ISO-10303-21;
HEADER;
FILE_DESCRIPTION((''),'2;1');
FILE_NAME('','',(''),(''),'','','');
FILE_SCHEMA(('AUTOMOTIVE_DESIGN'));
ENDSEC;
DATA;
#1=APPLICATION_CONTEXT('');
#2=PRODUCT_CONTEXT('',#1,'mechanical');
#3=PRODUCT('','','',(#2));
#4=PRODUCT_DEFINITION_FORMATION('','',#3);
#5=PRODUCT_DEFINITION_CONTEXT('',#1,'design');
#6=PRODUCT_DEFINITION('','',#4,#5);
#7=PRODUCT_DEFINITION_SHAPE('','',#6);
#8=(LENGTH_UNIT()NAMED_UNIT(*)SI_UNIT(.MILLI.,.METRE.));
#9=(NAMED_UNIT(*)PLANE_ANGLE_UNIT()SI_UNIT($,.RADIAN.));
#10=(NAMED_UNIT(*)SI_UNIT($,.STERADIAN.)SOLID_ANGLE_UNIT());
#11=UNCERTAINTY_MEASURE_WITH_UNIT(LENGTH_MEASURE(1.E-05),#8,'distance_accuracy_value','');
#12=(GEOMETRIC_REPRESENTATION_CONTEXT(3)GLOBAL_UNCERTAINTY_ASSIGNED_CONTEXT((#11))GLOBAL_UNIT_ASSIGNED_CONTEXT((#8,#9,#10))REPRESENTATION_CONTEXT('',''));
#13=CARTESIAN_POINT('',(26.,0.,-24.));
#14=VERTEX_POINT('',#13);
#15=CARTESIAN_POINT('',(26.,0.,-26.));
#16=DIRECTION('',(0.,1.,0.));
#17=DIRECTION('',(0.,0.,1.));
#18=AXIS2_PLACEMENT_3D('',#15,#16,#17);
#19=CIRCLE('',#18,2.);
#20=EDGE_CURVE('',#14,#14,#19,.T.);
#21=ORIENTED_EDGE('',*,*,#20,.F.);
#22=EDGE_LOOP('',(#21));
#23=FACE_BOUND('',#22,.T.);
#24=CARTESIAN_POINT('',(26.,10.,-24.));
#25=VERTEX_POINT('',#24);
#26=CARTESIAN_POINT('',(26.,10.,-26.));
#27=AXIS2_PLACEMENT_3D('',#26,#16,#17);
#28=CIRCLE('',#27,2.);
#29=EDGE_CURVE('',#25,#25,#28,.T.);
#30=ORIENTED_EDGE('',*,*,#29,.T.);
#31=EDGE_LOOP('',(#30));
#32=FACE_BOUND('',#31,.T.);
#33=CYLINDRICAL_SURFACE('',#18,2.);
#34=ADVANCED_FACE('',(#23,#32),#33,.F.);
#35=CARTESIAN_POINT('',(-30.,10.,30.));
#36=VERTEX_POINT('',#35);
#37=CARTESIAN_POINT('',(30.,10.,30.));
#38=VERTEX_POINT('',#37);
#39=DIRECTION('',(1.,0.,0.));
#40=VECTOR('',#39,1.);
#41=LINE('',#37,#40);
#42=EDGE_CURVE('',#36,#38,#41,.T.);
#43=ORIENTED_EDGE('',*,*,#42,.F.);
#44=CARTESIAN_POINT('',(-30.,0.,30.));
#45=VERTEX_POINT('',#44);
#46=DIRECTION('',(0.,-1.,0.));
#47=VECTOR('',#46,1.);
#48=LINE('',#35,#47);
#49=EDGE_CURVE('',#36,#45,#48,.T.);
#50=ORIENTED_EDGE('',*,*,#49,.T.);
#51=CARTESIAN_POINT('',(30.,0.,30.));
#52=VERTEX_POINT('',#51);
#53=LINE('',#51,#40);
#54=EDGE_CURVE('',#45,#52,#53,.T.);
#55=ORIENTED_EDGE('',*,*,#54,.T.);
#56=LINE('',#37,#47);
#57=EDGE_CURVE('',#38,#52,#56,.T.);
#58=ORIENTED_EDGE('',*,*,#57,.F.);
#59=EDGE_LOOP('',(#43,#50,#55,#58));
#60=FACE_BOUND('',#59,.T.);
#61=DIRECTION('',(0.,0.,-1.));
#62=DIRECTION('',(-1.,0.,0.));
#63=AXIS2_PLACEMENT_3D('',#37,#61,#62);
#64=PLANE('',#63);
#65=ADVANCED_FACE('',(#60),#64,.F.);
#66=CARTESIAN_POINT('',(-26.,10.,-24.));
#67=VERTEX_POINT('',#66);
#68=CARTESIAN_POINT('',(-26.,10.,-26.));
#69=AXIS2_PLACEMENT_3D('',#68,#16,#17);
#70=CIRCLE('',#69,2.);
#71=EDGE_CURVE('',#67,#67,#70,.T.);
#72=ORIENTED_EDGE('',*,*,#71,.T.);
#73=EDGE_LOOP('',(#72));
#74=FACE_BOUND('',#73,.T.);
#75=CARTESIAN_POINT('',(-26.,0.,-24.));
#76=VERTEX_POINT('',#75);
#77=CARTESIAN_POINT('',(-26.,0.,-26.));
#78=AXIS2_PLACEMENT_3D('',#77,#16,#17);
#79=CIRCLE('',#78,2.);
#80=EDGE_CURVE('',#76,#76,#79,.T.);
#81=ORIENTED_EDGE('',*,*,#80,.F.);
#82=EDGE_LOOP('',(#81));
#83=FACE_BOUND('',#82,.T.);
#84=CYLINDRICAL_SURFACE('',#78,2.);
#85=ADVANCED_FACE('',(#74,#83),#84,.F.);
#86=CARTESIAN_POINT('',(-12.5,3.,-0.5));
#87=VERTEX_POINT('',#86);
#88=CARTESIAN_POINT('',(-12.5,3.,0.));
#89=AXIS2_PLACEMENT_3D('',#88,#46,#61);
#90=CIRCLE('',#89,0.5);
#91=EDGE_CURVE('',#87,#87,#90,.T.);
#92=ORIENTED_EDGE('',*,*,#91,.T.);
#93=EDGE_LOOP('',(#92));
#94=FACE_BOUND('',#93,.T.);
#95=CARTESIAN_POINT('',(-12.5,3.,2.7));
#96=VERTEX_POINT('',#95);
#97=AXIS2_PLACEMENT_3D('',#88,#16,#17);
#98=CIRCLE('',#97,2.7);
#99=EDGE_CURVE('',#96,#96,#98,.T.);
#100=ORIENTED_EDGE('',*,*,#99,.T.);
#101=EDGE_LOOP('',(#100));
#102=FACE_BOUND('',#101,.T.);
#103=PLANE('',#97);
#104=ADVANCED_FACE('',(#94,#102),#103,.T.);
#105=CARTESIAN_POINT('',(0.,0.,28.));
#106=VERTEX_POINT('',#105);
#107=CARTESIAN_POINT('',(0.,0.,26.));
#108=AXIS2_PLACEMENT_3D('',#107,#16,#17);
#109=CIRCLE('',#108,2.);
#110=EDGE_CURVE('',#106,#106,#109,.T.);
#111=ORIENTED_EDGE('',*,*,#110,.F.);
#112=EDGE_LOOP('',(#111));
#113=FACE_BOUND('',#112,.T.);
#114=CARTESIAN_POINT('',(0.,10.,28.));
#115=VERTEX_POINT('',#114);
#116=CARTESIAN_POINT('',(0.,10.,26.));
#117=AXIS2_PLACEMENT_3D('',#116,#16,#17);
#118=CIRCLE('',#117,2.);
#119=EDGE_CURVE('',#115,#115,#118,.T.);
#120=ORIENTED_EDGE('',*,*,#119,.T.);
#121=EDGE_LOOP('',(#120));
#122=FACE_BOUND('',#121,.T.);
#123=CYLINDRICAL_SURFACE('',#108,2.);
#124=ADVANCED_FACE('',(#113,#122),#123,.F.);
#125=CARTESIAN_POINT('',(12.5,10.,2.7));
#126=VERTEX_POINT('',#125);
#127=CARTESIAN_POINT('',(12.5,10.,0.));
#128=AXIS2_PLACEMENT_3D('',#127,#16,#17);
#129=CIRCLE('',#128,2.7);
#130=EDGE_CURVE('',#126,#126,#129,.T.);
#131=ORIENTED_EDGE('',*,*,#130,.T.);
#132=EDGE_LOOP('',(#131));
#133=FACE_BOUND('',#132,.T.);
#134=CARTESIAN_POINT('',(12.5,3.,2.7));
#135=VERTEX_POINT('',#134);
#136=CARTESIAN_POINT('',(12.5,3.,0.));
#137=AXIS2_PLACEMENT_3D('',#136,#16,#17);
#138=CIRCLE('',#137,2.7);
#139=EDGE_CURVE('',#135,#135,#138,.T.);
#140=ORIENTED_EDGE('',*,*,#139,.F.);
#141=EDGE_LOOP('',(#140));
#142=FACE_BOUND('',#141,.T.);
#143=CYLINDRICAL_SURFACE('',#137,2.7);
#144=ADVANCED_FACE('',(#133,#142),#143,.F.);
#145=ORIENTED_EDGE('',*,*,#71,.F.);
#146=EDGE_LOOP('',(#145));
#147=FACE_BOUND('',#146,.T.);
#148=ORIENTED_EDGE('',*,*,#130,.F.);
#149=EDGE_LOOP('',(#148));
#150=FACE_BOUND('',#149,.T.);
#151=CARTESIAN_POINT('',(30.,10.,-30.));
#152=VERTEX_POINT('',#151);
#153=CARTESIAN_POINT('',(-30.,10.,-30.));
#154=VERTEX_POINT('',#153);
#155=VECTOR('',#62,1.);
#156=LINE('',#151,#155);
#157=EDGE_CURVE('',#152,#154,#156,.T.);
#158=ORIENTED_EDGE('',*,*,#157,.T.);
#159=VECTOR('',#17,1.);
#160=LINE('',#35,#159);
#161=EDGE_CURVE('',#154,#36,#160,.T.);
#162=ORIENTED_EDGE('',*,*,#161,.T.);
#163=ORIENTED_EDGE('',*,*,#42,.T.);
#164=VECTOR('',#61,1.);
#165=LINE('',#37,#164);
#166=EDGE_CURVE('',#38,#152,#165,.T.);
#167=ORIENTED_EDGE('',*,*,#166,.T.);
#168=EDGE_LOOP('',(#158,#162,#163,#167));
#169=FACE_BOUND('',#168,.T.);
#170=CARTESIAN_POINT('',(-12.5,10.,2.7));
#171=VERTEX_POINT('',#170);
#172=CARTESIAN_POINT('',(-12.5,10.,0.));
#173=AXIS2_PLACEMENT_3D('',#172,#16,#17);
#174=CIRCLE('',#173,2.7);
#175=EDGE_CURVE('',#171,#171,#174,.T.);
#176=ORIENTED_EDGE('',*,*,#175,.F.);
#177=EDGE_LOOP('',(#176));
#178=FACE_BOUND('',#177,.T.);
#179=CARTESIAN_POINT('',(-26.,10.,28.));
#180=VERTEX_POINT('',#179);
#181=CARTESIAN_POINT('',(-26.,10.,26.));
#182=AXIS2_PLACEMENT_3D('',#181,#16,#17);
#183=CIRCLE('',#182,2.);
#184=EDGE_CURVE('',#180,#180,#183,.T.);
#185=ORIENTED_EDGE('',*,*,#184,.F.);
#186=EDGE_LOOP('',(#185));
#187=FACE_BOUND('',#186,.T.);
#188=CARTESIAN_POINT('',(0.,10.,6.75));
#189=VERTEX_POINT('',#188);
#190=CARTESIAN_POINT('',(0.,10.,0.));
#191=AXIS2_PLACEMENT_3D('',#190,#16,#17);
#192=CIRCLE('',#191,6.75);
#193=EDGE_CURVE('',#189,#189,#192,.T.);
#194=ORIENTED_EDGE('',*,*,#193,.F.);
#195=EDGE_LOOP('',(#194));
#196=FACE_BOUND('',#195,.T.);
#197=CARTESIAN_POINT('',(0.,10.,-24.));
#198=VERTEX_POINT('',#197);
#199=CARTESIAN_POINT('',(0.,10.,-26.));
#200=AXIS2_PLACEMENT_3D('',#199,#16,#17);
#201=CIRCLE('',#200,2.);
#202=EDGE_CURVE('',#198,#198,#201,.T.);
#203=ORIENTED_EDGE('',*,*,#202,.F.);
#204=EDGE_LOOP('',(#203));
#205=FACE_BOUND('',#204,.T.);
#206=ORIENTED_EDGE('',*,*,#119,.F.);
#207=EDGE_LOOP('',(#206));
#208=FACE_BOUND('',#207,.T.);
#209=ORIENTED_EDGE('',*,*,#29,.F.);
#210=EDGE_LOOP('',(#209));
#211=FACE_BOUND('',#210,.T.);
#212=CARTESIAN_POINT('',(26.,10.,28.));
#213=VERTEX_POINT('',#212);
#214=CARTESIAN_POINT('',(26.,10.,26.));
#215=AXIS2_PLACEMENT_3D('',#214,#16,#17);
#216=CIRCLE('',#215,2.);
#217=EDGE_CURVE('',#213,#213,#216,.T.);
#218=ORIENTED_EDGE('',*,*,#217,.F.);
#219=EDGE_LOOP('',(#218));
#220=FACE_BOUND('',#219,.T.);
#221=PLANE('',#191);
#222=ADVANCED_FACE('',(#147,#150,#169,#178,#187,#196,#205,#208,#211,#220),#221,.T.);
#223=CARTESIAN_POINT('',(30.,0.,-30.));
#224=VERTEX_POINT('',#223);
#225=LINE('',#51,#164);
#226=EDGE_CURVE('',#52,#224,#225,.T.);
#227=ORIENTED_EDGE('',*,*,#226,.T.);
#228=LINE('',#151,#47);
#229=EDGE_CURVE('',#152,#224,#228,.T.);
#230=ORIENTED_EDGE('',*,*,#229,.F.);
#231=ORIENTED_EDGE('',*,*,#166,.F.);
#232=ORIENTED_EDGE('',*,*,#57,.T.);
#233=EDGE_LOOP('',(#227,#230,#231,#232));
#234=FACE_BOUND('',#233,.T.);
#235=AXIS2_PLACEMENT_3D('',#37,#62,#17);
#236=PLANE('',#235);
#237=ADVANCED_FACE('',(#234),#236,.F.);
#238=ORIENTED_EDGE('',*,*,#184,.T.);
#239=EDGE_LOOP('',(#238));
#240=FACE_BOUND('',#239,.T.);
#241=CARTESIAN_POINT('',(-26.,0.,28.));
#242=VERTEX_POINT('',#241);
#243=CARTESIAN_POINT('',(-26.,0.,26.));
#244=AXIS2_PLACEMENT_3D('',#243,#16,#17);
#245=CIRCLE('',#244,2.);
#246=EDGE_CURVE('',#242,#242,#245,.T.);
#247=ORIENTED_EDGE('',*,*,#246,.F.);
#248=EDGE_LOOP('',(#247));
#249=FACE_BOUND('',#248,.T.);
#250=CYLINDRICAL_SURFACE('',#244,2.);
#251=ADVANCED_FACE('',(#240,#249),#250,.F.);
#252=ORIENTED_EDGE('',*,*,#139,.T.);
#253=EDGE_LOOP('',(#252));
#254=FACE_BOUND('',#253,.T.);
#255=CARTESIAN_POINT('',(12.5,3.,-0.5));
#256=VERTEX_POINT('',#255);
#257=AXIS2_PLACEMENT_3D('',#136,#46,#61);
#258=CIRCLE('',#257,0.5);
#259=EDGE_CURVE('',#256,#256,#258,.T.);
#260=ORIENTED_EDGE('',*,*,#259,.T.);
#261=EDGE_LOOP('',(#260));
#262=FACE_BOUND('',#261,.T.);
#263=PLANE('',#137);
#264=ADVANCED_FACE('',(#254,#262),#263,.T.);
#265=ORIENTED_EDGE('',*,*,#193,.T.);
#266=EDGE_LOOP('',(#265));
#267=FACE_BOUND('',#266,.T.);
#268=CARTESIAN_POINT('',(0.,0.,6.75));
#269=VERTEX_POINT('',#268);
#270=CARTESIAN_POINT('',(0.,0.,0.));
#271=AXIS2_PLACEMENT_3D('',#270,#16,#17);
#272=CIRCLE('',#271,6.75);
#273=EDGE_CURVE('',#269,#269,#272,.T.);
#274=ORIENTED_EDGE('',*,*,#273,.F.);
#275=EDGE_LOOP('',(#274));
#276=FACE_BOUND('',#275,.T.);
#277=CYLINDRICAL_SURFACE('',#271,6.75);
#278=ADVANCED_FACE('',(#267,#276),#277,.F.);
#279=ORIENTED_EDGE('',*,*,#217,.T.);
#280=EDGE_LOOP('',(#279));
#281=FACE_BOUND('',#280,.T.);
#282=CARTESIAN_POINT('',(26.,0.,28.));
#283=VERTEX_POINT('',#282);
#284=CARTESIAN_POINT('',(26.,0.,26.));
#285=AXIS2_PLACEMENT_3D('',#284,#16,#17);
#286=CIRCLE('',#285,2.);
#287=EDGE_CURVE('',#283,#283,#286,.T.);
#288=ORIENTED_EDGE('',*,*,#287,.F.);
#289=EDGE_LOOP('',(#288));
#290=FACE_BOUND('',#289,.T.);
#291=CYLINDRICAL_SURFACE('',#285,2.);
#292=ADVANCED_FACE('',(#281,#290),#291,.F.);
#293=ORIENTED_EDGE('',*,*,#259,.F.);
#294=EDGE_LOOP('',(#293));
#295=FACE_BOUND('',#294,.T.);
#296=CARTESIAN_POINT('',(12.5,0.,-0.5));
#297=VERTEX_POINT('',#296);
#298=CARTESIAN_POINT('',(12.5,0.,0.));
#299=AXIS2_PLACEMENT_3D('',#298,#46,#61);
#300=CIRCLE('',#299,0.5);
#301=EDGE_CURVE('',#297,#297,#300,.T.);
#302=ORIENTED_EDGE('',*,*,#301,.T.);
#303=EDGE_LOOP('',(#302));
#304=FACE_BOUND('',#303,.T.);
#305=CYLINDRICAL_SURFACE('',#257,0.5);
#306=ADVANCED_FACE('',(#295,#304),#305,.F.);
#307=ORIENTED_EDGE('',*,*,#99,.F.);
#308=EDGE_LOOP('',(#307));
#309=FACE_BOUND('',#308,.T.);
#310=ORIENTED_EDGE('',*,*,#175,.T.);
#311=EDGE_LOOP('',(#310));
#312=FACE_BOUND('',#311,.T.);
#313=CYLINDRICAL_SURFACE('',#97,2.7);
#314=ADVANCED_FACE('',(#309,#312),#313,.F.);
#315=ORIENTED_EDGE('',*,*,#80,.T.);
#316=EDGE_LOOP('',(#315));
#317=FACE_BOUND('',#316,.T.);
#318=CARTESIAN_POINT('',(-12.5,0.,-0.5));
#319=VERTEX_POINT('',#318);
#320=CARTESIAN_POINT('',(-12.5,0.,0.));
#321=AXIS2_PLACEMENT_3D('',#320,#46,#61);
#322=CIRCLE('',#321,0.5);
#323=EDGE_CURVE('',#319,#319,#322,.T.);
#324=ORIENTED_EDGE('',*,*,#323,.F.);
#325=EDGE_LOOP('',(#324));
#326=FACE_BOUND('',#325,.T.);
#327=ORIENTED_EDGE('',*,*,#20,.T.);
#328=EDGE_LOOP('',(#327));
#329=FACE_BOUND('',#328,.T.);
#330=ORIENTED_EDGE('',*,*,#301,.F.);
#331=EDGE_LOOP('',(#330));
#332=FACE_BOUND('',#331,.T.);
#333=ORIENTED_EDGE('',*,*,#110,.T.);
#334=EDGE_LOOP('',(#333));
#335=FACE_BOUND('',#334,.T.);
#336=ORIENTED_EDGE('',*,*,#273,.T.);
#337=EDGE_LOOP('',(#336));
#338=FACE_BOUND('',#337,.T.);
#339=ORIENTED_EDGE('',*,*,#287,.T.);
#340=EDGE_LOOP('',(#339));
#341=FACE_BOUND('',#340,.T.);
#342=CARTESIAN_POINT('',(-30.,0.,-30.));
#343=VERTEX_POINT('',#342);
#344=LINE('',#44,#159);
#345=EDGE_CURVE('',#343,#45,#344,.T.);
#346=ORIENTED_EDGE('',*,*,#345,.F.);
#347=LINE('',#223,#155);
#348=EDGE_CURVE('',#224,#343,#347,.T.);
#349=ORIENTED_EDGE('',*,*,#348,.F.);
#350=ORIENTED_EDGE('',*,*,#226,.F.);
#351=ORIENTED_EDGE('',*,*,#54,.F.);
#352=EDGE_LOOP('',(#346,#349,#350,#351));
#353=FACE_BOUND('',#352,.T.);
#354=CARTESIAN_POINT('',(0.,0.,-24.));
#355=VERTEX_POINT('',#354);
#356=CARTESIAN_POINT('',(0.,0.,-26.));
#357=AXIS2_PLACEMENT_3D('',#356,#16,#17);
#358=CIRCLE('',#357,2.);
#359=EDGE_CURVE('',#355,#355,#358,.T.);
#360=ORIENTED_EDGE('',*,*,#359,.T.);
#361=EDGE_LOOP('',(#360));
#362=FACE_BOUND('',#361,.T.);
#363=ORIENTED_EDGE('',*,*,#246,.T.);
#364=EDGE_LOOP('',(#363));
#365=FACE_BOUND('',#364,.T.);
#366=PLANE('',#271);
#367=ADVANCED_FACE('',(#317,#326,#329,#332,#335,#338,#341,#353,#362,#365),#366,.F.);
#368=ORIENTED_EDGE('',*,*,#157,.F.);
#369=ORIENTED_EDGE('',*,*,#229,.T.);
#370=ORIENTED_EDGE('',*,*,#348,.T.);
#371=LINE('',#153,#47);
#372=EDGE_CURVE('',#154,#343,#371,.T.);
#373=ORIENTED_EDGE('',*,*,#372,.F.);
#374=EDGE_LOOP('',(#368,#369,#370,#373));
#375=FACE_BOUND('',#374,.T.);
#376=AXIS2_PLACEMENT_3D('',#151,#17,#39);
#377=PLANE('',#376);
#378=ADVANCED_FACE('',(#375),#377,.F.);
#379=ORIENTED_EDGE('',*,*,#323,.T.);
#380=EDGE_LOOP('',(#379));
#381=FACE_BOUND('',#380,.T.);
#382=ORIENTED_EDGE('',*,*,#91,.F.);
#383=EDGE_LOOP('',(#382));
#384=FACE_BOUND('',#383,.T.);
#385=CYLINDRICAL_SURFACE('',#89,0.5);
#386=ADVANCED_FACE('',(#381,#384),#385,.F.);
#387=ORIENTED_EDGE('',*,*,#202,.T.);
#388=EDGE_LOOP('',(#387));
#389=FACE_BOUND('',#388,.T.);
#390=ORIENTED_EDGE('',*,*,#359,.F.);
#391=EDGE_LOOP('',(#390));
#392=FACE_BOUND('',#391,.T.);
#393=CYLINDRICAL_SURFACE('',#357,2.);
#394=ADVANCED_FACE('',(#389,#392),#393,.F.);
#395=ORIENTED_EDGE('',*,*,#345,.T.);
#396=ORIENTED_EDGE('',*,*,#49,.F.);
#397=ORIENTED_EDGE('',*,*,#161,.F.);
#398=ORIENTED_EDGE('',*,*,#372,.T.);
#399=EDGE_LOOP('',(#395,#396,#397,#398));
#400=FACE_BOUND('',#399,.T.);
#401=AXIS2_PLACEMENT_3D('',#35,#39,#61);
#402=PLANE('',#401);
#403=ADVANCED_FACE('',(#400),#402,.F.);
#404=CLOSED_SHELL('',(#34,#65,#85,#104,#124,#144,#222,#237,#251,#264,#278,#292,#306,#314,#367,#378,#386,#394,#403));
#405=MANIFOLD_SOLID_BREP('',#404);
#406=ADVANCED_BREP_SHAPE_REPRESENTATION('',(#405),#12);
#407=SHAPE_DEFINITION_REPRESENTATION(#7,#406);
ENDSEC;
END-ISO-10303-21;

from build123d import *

# Parameters (mm, degrees)
SKETCH2_W           = 60
SKETCH2_H           = 60
BOSS_EXTRUDE1_DEPTH = 10
SKETCH3_R           = 2
CUT_EXTRUDE1_DEPTH  = 10
SKETCH5_R           = 2.7
CUT_EXTRUDE3_DEPTH  = 7
SKETCH6_R           = 0.5
CUT_EXTRUDE4_DEPTH  = 3
SKETCH7_R           = 6.75
CUT_EXTRUDE5_DEPTH  = 10


with BuildPart() as part:
    # Sketch2 → Boss-Extrude1 (new body)
    with BuildSketch(Plane(origin=(0, 0, 0), x_dir=(1, 0, 0), z_dir=(0, 1, 0))):
        Rectangle(SKETCH2_W, SKETCH2_H)
    extrude(amount=BOSS_EXTRUDE1_DEPTH)

    # Sketch3 → Cut-Extrude1 (cut)
    with BuildSketch(Plane(origin=(0, 10, 0), x_dir=(1, 0, 0), z_dir=(0, 1, 0))):
        with Locations((-26, 26)):
            Circle(SKETCH3_R)
        with Locations((-26, -26)):
            Circle(SKETCH3_R)
        with Locations((0, -26)):
            Circle(SKETCH3_R)
        with Locations((26, -26)):
            Circle(SKETCH3_R)
        with Locations((26, 26)):
            Circle(SKETCH3_R)
        with Locations((0, 26)):
            Circle(SKETCH3_R)
    extrude(amount=-CUT_EXTRUDE1_DEPTH, mode=Mode.SUBTRACT)

    # Sketch5 → Cut-Extrude3 (cut)
    with BuildSketch(Plane(origin=(0, 10, 0), x_dir=(1, 0, 0), z_dir=(0, 1, 0))):
        with Locations((12.5, 0)):
            Circle(SKETCH5_R)
        with Locations((-12.5, 0)):
            Circle(SKETCH5_R)
    extrude(amount=-CUT_EXTRUDE3_DEPTH, mode=Mode.SUBTRACT)

    # Sketch6 → Cut-Extrude4 (cut)
    with BuildSketch(Plane.XZ):
        with Locations((12.5, 0)):
            Circle(SKETCH6_R)
        with Locations((-12.5, 0)):
            Circle(SKETCH6_R)
    extrude(amount=-CUT_EXTRUDE4_DEPTH, mode=Mode.SUBTRACT)

    # Sketch7 → Cut-Extrude5 (cut)
    with BuildSketch(Plane(origin=(0, 10, 0), x_dir=(1, 0, 0), z_dir=(0, 1, 0))):
        Circle(SKETCH7_R)
    extrude(amount=-CUT_EXTRUDE5_DEPTH, mode=Mode.SUBTRACT)


solid = part.part
